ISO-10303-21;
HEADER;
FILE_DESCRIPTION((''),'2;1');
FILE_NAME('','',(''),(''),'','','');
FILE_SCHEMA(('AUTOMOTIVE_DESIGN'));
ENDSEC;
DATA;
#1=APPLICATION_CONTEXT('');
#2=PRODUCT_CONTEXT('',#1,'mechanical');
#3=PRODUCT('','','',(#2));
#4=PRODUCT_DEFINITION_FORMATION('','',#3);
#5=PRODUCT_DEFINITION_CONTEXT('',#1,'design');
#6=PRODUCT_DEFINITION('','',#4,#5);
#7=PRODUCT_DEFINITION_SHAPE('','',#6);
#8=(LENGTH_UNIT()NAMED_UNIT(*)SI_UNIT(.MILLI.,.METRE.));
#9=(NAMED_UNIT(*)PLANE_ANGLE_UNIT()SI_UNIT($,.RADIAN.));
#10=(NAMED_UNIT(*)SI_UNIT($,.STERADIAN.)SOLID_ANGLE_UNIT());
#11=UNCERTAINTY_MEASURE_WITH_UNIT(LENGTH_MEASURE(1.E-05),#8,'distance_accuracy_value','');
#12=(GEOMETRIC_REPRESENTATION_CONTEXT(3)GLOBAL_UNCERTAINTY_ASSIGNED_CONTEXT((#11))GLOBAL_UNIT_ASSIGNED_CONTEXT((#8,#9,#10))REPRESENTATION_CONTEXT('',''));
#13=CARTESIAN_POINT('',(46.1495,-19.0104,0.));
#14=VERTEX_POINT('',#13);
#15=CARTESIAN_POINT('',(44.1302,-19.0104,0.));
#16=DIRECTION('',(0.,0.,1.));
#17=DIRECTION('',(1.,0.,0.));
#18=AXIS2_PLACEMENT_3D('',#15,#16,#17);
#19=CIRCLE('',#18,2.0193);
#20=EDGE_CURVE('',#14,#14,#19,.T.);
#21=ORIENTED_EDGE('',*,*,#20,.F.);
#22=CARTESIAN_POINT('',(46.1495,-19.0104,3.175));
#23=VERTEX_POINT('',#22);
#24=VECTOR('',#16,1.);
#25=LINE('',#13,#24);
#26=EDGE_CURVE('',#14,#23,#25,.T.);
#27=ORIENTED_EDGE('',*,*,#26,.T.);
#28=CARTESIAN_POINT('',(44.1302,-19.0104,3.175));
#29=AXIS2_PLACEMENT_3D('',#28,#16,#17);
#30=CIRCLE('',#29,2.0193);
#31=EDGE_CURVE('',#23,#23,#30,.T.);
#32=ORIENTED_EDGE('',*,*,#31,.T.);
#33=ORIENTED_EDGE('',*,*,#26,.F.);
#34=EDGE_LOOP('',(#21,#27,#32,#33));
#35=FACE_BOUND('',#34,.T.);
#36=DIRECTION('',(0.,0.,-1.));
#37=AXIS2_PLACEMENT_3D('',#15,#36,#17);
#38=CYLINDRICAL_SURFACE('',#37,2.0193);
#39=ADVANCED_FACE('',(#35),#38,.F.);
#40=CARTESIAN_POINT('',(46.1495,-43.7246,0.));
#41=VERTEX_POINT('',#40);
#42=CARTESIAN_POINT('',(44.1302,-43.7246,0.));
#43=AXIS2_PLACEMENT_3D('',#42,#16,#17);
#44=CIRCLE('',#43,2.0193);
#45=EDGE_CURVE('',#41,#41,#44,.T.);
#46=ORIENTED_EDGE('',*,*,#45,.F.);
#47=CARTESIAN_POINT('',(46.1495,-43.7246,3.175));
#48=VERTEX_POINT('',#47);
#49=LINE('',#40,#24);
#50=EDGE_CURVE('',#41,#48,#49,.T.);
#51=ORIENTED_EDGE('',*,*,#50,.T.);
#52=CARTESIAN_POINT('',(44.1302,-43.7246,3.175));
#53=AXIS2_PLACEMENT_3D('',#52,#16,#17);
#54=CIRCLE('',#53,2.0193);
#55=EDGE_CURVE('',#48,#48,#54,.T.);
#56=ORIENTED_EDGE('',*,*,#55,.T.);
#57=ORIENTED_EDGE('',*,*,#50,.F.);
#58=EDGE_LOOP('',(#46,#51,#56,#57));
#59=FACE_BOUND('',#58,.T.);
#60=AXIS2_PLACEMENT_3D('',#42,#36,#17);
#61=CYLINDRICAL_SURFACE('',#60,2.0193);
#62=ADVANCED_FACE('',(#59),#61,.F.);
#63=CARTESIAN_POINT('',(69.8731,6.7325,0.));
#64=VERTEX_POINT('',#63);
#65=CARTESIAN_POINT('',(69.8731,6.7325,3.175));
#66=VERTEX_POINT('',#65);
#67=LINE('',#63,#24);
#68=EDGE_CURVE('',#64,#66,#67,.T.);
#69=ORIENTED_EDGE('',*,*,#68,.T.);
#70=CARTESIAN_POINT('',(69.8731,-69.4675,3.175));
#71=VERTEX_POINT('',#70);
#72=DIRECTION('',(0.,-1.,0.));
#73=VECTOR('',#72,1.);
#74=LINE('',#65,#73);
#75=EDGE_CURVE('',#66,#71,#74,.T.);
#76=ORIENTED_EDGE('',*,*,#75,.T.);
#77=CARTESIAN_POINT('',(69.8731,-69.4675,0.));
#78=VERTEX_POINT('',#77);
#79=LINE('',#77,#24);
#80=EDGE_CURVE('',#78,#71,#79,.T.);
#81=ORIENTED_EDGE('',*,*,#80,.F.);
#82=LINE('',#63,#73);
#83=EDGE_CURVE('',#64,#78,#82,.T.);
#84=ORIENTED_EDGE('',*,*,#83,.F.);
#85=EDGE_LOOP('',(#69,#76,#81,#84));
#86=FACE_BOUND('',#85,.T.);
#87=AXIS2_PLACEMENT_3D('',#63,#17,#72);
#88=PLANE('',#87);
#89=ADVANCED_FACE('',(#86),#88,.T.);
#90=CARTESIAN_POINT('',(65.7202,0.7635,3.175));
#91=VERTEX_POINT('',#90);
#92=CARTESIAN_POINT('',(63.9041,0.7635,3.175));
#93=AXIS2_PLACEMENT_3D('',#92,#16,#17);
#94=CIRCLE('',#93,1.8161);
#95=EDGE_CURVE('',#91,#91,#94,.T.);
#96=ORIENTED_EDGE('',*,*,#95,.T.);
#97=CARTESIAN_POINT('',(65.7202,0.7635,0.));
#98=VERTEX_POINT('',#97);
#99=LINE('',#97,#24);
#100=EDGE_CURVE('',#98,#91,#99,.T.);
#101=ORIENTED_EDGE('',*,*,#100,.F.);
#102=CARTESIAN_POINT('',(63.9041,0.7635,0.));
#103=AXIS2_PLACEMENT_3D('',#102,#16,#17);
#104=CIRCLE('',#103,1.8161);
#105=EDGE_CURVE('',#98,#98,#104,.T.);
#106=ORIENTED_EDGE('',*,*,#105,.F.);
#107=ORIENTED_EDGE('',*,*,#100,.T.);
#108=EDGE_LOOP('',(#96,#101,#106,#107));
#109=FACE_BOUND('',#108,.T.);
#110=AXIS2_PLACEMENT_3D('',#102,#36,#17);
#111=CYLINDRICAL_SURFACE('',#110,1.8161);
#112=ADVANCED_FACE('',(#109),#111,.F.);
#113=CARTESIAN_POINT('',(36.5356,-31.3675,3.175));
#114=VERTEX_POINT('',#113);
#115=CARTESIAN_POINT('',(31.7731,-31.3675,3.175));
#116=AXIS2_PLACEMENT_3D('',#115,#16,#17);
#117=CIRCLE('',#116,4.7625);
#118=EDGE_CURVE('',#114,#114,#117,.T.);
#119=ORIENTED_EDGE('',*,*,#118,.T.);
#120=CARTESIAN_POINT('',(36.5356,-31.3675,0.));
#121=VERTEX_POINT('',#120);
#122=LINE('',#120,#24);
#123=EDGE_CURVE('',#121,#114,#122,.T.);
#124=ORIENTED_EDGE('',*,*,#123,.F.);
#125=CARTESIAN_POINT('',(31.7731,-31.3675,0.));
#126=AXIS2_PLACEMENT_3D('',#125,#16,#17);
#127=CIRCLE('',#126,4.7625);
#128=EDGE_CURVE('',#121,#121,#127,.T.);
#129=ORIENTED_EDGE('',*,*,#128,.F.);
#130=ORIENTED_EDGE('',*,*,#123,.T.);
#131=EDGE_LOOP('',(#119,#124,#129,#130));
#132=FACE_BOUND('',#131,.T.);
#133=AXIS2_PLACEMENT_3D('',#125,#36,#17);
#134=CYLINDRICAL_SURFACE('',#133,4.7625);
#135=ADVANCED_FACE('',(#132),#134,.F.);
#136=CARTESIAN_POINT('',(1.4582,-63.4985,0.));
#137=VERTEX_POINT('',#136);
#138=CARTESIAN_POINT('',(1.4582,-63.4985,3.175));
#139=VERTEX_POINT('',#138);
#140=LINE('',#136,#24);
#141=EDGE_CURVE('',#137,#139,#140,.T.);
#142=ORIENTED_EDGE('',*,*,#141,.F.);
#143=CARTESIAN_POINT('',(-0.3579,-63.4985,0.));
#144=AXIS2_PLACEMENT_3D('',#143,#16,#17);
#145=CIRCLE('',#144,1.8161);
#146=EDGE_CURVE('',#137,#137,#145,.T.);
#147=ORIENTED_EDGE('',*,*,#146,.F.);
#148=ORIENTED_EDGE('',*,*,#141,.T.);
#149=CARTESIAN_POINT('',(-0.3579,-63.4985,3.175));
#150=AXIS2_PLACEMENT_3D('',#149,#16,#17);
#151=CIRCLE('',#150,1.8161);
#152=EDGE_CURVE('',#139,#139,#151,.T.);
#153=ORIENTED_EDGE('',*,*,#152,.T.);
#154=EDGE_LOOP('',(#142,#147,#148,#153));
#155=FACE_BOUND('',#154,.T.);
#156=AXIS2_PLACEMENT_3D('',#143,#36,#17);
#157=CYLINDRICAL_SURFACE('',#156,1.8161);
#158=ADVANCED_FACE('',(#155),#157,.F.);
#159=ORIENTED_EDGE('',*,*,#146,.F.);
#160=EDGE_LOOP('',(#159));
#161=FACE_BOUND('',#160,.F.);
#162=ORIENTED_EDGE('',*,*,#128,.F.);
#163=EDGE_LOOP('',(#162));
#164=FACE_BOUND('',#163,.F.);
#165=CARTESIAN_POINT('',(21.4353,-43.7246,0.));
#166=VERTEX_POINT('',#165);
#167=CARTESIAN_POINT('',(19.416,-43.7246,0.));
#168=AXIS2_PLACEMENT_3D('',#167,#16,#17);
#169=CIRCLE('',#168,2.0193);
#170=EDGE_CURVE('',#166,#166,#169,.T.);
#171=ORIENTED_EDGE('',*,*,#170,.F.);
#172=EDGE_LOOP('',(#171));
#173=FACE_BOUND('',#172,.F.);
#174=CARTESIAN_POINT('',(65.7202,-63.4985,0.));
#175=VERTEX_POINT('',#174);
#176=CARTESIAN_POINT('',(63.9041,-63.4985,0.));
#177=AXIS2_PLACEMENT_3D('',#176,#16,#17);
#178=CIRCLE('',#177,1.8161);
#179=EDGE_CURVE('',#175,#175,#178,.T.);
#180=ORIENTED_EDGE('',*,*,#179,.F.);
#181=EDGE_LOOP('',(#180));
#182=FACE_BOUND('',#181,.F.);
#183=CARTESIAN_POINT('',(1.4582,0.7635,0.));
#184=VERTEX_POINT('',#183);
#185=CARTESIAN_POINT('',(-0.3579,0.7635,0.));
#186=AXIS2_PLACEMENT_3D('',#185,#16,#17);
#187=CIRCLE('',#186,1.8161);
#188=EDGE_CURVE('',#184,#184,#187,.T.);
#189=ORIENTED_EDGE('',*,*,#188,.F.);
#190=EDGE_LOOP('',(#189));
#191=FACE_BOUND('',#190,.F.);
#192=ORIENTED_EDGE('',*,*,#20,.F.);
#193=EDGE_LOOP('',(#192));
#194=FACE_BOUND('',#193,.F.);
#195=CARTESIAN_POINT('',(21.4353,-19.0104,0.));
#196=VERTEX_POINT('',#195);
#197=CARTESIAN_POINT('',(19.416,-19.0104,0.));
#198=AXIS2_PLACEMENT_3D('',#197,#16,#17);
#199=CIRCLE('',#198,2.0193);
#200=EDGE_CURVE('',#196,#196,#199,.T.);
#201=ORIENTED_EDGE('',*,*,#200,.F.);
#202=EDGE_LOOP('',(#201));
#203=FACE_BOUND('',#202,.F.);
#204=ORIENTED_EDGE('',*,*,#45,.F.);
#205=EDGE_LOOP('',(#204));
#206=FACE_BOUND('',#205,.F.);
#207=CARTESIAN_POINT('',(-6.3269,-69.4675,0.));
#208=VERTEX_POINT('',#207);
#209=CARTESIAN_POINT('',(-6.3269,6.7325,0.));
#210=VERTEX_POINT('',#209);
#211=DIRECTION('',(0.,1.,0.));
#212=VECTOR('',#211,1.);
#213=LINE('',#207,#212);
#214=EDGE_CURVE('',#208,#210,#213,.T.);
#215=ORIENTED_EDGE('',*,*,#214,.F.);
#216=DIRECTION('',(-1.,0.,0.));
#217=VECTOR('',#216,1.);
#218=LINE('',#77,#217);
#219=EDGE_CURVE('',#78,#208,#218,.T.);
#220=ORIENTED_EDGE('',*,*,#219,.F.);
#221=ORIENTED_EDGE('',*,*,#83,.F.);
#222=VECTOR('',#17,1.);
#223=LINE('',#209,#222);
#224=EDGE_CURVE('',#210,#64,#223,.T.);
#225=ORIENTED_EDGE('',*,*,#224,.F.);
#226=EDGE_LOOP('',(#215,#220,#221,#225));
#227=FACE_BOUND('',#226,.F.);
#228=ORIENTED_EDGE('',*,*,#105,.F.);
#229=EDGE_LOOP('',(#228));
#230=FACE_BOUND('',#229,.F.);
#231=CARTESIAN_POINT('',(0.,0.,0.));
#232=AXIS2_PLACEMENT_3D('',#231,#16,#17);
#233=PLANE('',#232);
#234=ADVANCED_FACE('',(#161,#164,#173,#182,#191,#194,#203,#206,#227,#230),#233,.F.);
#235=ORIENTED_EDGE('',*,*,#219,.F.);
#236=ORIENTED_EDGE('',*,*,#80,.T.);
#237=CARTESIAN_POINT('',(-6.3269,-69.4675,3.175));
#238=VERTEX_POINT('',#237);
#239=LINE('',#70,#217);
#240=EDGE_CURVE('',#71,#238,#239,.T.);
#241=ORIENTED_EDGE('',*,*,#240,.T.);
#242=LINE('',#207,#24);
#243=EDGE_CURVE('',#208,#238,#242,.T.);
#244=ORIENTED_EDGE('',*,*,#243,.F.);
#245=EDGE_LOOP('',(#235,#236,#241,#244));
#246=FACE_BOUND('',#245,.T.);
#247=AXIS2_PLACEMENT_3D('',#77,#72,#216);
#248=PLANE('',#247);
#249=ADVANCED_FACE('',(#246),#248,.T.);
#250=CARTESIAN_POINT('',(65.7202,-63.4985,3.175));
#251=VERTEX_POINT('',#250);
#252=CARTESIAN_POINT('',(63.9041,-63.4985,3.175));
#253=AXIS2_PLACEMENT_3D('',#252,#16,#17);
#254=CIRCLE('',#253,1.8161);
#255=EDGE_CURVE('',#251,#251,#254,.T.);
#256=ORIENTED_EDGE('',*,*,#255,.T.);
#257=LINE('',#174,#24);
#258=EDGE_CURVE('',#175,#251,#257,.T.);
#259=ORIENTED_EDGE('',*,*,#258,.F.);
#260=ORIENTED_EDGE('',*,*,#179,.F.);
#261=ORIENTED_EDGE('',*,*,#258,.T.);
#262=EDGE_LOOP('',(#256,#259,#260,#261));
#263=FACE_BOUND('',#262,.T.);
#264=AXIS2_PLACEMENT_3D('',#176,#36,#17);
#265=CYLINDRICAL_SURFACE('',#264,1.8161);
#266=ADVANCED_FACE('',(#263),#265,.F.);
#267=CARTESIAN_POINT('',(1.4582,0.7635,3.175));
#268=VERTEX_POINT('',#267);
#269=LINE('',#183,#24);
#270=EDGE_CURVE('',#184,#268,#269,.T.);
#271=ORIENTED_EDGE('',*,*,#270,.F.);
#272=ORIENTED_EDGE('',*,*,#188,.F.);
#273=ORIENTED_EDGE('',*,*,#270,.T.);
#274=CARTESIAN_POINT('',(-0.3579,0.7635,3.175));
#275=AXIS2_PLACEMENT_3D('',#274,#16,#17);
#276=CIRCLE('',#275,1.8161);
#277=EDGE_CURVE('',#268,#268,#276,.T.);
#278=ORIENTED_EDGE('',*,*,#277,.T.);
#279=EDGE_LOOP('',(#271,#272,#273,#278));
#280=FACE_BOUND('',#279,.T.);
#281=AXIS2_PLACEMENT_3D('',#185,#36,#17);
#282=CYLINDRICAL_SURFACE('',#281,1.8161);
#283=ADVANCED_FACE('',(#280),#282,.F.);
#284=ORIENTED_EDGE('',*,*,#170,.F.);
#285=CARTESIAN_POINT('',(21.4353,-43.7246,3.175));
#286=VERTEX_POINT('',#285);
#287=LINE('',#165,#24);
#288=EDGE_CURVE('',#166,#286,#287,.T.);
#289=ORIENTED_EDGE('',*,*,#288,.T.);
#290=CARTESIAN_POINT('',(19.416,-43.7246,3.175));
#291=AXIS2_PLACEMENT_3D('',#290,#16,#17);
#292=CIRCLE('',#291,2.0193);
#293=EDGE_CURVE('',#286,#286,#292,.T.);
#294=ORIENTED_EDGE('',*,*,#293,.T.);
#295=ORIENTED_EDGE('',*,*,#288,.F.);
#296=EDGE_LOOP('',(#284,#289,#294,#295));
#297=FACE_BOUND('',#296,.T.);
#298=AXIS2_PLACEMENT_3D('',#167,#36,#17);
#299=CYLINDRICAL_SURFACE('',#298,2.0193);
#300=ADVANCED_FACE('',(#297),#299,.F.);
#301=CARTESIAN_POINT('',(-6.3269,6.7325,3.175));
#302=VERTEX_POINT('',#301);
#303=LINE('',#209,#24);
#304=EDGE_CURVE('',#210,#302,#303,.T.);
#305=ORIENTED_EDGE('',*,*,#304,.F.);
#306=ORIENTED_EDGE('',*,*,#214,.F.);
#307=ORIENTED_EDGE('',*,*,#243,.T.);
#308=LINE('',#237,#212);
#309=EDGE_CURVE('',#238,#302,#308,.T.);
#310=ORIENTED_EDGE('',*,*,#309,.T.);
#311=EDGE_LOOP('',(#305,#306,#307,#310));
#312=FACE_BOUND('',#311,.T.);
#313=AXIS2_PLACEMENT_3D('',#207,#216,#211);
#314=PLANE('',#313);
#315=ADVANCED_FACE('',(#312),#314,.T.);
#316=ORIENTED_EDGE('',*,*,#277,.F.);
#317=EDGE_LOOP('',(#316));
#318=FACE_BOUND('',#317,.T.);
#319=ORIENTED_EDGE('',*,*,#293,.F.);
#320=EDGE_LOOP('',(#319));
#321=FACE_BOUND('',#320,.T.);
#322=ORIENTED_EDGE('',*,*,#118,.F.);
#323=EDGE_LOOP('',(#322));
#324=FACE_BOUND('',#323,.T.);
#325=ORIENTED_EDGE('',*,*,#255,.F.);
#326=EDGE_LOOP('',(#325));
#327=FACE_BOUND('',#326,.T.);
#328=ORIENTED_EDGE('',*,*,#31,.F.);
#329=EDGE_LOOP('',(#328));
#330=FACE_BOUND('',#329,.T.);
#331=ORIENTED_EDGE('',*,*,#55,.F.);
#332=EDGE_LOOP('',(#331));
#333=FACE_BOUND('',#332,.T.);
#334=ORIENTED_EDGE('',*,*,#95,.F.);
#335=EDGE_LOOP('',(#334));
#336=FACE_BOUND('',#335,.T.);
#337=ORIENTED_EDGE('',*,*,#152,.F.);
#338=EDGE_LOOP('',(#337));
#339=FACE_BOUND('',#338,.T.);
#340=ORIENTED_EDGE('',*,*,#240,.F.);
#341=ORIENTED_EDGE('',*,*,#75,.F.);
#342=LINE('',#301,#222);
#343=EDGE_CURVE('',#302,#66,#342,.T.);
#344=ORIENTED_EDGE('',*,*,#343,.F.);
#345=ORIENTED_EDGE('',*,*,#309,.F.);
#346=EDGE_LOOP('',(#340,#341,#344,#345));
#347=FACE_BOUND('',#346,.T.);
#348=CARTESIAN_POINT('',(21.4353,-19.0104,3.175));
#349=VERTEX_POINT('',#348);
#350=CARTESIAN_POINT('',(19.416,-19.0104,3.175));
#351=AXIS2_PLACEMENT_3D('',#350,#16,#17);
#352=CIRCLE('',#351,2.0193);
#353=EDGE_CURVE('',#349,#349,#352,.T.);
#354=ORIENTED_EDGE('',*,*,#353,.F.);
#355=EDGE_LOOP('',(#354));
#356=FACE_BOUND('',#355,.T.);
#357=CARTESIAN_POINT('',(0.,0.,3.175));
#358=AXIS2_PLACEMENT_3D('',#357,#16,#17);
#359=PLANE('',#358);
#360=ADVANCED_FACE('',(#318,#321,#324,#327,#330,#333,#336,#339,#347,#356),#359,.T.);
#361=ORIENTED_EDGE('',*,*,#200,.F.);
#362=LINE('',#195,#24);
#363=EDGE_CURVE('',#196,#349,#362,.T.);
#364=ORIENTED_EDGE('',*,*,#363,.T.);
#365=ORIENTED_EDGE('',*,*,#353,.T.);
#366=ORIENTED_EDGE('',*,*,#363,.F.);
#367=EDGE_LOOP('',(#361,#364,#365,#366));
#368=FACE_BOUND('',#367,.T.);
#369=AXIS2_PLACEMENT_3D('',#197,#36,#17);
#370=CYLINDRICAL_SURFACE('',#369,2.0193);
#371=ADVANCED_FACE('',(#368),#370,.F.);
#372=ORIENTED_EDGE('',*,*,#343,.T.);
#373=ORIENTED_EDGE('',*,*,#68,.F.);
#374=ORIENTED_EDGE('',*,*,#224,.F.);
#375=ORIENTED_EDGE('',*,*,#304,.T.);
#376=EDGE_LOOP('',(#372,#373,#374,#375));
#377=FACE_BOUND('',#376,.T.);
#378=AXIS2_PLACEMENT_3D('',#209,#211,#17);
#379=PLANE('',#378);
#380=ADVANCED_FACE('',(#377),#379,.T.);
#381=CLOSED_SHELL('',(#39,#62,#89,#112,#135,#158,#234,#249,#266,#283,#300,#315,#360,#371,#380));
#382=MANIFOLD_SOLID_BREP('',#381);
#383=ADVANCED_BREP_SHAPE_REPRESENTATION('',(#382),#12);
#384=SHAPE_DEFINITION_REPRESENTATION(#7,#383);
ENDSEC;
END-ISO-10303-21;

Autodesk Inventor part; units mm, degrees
ref_plane "YZ Plane" through (0, 0, 0) normal (1, 0, 0) x (0, 1, 0)
ref_plane "XZ Plane" through (0, 0, 0) normal (0, 1, 0) x (-1, 0, 0)
ref_plane "XY Plane" through (0, 0, 0) normal (0, 0, 1) x (1, 0, 0)
sketch "Sketch1" plane through (0, 0, 0) normal (0, 0, 1) x (1, 0, 0)
  line L0 (-6.3269, 6.7325) -> (69.8731, 6.7325)
  line L1 (69.8731, 6.7325) -> (69.8731, -69.4675)
  line L2 (69.8731, -69.4675) -> (-6.3269, -69.4675)
  line L3 (-6.3269, -69.4675) -> (-6.3269, 6.7325)
  line L4 (-6.3269, 6.7325) -> (69.8731, -69.4675) construction
  line L5 (69.8731, 6.7325) -> (-6.3269, -69.4675) construction
  circle A0 centre (31.7731, -31.3675) radius 4.7625
  circle A1 centre (63.9041, 0.7635) radius 1.8161
  circle A2 centre (63.9041, -63.4985) radius 1.8161
  circle A3 centre (-0.3579, -63.4985) radius 1.8161
  circle A4 centre (-0.3579, 0.7635) radius 1.8161
  line L6 (12.7231, -50.4175) -> (50.8231, -50.4175) construction
  line L7 (50.8231, -50.4175) -> (50.8231, -12.3175) construction
  line L8 (50.8231, -12.3175) -> (12.7231, -12.3175) construction
  line L9 (12.7231, -12.3175) -> (12.7231, -50.4175) construction
  line L10 (12.7231, -50.4175) -> (50.8231, -12.3175) construction
  line L11 (50.8231, -50.4175) -> (12.7231, -12.3175) construction
  circle A5 centre (19.416, -19.0104) radius 2.0193
  circle A6 centre (44.1302, -19.0104) radius 2.0193
  circle A7 centre (19.416, -43.7246) radius 2.0193
  circle A8 centre (44.1302, -43.7246) radius 2.0193
  dimension "d0" = 76.2
  dimension "d1" = 76.2
  dimension "d2" = 9.525
  dimension "d4" = 3.6322
  dimension "d5" = 3.6322
  dimension "d6" = 3.6322
  dimension "d7" = 3.6322
  dimension "d11" = 38.1
  dimension "d12" = 38.1
  dimension "d13" = 4.0386
  dimension "d14" = 4.0386
  dimension "d15" = 4.0386
  dimension "d16" = 4.0386
  dimension "d17" = 24.7142
  dimension "d18" = 64.262
extrude "Extrusion1" add sketch "Sketch1" along normal blind 3.175
properties part number "lazy susan5"
